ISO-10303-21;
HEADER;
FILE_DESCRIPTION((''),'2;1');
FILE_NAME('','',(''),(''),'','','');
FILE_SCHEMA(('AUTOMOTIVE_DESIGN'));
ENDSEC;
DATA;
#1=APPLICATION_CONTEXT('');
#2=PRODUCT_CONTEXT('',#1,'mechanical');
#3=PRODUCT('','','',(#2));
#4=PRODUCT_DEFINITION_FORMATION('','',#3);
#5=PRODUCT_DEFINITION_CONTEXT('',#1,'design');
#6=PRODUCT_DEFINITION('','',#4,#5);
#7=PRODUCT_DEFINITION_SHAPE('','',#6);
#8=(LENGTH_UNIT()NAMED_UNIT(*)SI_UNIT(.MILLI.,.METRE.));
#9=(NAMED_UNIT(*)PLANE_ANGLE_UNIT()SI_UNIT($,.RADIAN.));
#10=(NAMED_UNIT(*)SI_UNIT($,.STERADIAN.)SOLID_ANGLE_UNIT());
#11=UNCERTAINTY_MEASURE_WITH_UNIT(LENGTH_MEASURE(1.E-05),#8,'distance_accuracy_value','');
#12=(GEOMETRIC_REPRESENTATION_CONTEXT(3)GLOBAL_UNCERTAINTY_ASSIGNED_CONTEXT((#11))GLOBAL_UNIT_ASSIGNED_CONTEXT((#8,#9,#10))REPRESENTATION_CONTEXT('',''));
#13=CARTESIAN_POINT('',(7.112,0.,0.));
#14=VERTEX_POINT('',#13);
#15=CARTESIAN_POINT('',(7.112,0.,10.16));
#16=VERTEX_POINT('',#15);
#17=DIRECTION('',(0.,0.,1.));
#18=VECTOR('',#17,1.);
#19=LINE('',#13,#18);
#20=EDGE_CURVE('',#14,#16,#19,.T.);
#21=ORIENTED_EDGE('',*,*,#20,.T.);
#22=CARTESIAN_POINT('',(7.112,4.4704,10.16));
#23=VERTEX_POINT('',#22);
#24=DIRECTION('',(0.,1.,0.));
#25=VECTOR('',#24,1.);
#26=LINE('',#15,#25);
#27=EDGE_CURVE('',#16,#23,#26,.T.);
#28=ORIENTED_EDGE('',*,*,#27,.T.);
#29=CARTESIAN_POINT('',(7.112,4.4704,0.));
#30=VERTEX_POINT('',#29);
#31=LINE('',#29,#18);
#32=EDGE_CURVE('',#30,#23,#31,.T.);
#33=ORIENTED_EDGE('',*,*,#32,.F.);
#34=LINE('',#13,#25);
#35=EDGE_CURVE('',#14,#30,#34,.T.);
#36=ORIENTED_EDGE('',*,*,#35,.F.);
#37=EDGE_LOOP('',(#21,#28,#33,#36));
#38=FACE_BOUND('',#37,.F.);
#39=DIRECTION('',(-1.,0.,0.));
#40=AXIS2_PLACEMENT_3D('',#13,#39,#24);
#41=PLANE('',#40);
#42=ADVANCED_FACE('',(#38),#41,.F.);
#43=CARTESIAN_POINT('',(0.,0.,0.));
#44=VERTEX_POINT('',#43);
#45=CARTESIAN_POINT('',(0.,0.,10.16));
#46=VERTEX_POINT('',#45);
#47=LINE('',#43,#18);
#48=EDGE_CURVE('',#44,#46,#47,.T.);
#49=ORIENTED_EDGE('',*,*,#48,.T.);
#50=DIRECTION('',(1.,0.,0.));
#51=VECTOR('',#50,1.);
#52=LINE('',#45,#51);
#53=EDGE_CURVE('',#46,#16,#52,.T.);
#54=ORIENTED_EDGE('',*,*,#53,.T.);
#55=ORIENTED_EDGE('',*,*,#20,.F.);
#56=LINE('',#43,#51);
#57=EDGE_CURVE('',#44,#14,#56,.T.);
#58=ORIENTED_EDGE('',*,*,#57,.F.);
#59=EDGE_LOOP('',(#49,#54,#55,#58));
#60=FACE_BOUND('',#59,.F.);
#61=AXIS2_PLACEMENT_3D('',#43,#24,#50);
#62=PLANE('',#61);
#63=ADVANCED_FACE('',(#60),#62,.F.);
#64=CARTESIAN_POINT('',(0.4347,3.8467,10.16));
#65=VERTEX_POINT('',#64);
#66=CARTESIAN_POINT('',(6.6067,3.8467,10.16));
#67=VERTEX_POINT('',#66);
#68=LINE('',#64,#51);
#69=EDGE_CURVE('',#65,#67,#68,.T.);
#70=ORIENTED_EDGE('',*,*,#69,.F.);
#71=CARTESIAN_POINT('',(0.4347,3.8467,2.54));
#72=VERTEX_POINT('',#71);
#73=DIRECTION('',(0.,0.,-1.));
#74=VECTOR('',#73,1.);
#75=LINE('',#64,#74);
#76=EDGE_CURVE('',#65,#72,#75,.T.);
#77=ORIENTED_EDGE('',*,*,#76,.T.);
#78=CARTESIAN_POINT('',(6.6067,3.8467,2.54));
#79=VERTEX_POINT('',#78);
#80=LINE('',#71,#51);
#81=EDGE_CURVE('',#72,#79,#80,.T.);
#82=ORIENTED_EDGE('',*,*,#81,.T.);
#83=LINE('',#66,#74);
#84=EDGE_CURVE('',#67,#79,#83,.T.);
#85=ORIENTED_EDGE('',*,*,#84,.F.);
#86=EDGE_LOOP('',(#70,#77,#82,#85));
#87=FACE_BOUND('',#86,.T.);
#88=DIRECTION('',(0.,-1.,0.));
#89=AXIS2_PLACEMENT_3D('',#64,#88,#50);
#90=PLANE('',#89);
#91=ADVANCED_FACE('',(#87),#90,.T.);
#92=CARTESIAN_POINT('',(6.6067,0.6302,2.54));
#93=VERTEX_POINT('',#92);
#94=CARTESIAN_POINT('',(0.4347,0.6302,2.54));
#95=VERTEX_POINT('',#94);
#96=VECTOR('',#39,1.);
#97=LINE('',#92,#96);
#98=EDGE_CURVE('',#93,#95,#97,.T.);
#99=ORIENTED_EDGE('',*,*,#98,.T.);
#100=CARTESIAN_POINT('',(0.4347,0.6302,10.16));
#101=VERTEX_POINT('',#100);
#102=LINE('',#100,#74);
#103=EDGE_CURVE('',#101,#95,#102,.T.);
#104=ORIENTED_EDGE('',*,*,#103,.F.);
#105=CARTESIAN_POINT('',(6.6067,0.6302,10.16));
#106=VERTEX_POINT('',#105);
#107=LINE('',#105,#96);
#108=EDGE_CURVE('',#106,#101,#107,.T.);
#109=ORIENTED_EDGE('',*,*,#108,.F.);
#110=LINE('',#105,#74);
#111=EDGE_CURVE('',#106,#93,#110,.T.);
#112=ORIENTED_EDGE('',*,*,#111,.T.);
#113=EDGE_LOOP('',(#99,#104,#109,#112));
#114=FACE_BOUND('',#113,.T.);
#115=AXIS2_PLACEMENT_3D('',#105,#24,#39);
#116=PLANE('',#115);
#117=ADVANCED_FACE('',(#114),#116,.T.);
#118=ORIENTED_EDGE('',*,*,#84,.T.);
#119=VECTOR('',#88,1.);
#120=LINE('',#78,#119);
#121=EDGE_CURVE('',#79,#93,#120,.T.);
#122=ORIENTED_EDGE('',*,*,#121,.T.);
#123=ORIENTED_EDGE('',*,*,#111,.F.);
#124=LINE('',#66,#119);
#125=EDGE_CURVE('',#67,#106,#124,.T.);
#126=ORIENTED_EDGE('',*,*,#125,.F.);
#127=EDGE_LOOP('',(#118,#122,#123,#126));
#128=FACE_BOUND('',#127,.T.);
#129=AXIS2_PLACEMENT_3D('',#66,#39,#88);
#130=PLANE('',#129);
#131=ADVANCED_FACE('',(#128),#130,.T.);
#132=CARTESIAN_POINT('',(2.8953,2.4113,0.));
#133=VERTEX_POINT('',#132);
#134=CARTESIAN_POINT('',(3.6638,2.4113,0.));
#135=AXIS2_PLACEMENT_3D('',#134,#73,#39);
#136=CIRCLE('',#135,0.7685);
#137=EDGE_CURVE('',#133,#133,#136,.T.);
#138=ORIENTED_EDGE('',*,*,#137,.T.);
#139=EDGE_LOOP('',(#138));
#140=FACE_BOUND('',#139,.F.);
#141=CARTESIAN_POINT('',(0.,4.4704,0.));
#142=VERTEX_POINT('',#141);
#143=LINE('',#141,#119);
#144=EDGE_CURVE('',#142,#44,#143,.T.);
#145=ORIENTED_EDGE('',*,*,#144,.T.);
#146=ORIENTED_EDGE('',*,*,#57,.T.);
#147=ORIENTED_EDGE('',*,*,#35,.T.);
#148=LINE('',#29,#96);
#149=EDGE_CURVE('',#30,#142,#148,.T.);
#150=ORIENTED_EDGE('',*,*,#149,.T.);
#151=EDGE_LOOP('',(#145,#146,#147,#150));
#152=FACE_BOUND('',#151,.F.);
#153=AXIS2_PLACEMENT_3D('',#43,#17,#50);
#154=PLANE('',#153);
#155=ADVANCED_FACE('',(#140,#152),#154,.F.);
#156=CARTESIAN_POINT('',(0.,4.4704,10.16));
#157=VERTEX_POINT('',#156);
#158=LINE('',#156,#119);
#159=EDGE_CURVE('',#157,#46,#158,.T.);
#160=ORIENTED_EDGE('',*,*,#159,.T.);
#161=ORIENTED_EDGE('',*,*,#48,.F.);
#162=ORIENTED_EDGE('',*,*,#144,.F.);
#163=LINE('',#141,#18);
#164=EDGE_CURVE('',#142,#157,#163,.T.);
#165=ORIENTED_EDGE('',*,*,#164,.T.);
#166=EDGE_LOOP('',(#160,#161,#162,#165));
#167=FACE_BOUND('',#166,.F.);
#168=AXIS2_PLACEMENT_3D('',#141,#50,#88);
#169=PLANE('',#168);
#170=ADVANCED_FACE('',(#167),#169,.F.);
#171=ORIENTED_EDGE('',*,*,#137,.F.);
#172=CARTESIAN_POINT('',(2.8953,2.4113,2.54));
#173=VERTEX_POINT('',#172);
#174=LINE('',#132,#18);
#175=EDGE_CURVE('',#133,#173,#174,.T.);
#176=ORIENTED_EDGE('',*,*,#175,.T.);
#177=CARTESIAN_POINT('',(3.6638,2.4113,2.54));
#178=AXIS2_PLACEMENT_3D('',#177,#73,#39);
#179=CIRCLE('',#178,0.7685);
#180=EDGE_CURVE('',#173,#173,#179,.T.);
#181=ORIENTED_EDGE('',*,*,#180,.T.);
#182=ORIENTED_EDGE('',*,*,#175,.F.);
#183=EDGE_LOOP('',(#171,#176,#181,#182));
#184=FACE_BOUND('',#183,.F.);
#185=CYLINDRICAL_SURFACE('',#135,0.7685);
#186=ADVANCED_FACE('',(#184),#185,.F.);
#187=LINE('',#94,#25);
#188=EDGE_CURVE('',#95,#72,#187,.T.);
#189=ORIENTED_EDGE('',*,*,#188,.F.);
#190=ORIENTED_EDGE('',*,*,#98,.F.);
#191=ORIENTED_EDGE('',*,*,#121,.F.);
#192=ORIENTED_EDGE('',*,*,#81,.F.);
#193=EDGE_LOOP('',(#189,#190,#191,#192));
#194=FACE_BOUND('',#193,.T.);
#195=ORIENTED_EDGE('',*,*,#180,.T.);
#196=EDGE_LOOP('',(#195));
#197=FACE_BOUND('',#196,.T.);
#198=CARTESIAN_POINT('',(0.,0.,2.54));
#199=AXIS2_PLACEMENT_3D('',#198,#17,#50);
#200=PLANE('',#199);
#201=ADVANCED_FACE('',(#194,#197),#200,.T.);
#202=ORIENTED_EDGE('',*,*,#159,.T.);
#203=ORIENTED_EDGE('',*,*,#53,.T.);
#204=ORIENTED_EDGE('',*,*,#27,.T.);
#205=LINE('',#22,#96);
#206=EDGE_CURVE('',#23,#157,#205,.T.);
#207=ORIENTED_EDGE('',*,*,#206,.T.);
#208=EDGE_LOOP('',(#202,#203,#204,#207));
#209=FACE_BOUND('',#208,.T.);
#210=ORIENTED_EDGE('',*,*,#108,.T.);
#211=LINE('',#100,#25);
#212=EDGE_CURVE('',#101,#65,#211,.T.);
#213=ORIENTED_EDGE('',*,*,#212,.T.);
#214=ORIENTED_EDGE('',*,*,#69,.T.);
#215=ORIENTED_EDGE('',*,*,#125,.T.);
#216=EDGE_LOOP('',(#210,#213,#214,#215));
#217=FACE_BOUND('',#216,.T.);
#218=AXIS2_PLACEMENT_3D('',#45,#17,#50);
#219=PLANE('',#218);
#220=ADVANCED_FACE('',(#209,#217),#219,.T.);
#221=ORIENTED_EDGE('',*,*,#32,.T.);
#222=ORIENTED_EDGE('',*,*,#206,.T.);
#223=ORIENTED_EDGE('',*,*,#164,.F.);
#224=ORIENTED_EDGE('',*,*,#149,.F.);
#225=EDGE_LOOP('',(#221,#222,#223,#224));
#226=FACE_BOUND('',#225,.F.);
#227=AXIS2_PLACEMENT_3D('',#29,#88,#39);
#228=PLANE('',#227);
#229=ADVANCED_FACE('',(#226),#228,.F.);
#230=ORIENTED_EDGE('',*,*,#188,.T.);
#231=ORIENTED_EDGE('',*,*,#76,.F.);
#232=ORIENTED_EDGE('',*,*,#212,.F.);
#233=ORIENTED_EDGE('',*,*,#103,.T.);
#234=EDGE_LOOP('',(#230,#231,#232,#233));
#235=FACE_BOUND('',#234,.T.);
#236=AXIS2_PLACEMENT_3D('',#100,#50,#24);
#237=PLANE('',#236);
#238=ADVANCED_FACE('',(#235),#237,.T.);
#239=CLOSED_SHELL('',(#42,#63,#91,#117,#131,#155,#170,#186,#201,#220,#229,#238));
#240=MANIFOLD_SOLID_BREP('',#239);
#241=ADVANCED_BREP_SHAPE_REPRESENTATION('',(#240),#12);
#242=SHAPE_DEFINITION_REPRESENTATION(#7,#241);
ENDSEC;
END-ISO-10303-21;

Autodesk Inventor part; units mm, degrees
ref_plane "YZ Plane" through (0, 0, 0) normal (1, 0, 0) x (0, 1, 0)
ref_plane "XZ Plane" through (0, 0, 0) normal (0, 1, 0) x (-1, 0, 0)
ref_plane "XY Plane" through (0, 0, 0) normal (0, 0, 1) x (1, 0, 0)
sketch "Sketch1" plane through (0, 0, 0) normal (0, 0, 1) x (1, 0, 0)
  point P0 (0, 0)
sketch "Sketch2" plane through (0, 0, 0) normal (0, 0, 1) x (1, 0, 0)
  point P0 (0, 0)
sketch "Sketch3" plane through (0, 0, 0) normal (0, 0, 1) x (1, 0, 0)
  line L0 (0, 0) -> (7.112, 0)
  line L1 (7.112, 0) -> (7.112, 4.4704)
  line L2 (7.112, 4.4704) -> (0, 4.4704)
  line L3 (0, 4.4704) -> (0, 0)
  dimension "d0" = 7.112
  dimension "d1" = 4.4704
extrude "Extrusion1" add sketch "Sketch3" along normal blind 10.16
sketch "Sketch4" plane through (0, 0, 10.16) normal (0, 0, 1) x (1, 0, 0)
  line L0 (0.4347, 3.8467) -> (6.6067, 3.8467)
  line L1 (6.6067, 3.8467) -> (6.6067, 0.6302)
  line L2 (6.6067, 0.6302) -> (0.4347, 0.6302)
  line L3 (0.4347, 0.6302) -> (0.4347, 3.8467)
  point P0 (0, 0)
extrude "Extrusion2" cut sketch "Sketch4" against normal blind 7.62
sketch "Sketch5" plane through (0, 0, 0) normal (0, 0, -1) x (-1, 0, 0)
  circle A0 centre (-3.6638, 2.4113) radius 0.7685
  point P0 (0, 0)
extrude "Extrusion3" cut sketch "Sketch5" against normal blind 2.54
properties part number "dc motor"
